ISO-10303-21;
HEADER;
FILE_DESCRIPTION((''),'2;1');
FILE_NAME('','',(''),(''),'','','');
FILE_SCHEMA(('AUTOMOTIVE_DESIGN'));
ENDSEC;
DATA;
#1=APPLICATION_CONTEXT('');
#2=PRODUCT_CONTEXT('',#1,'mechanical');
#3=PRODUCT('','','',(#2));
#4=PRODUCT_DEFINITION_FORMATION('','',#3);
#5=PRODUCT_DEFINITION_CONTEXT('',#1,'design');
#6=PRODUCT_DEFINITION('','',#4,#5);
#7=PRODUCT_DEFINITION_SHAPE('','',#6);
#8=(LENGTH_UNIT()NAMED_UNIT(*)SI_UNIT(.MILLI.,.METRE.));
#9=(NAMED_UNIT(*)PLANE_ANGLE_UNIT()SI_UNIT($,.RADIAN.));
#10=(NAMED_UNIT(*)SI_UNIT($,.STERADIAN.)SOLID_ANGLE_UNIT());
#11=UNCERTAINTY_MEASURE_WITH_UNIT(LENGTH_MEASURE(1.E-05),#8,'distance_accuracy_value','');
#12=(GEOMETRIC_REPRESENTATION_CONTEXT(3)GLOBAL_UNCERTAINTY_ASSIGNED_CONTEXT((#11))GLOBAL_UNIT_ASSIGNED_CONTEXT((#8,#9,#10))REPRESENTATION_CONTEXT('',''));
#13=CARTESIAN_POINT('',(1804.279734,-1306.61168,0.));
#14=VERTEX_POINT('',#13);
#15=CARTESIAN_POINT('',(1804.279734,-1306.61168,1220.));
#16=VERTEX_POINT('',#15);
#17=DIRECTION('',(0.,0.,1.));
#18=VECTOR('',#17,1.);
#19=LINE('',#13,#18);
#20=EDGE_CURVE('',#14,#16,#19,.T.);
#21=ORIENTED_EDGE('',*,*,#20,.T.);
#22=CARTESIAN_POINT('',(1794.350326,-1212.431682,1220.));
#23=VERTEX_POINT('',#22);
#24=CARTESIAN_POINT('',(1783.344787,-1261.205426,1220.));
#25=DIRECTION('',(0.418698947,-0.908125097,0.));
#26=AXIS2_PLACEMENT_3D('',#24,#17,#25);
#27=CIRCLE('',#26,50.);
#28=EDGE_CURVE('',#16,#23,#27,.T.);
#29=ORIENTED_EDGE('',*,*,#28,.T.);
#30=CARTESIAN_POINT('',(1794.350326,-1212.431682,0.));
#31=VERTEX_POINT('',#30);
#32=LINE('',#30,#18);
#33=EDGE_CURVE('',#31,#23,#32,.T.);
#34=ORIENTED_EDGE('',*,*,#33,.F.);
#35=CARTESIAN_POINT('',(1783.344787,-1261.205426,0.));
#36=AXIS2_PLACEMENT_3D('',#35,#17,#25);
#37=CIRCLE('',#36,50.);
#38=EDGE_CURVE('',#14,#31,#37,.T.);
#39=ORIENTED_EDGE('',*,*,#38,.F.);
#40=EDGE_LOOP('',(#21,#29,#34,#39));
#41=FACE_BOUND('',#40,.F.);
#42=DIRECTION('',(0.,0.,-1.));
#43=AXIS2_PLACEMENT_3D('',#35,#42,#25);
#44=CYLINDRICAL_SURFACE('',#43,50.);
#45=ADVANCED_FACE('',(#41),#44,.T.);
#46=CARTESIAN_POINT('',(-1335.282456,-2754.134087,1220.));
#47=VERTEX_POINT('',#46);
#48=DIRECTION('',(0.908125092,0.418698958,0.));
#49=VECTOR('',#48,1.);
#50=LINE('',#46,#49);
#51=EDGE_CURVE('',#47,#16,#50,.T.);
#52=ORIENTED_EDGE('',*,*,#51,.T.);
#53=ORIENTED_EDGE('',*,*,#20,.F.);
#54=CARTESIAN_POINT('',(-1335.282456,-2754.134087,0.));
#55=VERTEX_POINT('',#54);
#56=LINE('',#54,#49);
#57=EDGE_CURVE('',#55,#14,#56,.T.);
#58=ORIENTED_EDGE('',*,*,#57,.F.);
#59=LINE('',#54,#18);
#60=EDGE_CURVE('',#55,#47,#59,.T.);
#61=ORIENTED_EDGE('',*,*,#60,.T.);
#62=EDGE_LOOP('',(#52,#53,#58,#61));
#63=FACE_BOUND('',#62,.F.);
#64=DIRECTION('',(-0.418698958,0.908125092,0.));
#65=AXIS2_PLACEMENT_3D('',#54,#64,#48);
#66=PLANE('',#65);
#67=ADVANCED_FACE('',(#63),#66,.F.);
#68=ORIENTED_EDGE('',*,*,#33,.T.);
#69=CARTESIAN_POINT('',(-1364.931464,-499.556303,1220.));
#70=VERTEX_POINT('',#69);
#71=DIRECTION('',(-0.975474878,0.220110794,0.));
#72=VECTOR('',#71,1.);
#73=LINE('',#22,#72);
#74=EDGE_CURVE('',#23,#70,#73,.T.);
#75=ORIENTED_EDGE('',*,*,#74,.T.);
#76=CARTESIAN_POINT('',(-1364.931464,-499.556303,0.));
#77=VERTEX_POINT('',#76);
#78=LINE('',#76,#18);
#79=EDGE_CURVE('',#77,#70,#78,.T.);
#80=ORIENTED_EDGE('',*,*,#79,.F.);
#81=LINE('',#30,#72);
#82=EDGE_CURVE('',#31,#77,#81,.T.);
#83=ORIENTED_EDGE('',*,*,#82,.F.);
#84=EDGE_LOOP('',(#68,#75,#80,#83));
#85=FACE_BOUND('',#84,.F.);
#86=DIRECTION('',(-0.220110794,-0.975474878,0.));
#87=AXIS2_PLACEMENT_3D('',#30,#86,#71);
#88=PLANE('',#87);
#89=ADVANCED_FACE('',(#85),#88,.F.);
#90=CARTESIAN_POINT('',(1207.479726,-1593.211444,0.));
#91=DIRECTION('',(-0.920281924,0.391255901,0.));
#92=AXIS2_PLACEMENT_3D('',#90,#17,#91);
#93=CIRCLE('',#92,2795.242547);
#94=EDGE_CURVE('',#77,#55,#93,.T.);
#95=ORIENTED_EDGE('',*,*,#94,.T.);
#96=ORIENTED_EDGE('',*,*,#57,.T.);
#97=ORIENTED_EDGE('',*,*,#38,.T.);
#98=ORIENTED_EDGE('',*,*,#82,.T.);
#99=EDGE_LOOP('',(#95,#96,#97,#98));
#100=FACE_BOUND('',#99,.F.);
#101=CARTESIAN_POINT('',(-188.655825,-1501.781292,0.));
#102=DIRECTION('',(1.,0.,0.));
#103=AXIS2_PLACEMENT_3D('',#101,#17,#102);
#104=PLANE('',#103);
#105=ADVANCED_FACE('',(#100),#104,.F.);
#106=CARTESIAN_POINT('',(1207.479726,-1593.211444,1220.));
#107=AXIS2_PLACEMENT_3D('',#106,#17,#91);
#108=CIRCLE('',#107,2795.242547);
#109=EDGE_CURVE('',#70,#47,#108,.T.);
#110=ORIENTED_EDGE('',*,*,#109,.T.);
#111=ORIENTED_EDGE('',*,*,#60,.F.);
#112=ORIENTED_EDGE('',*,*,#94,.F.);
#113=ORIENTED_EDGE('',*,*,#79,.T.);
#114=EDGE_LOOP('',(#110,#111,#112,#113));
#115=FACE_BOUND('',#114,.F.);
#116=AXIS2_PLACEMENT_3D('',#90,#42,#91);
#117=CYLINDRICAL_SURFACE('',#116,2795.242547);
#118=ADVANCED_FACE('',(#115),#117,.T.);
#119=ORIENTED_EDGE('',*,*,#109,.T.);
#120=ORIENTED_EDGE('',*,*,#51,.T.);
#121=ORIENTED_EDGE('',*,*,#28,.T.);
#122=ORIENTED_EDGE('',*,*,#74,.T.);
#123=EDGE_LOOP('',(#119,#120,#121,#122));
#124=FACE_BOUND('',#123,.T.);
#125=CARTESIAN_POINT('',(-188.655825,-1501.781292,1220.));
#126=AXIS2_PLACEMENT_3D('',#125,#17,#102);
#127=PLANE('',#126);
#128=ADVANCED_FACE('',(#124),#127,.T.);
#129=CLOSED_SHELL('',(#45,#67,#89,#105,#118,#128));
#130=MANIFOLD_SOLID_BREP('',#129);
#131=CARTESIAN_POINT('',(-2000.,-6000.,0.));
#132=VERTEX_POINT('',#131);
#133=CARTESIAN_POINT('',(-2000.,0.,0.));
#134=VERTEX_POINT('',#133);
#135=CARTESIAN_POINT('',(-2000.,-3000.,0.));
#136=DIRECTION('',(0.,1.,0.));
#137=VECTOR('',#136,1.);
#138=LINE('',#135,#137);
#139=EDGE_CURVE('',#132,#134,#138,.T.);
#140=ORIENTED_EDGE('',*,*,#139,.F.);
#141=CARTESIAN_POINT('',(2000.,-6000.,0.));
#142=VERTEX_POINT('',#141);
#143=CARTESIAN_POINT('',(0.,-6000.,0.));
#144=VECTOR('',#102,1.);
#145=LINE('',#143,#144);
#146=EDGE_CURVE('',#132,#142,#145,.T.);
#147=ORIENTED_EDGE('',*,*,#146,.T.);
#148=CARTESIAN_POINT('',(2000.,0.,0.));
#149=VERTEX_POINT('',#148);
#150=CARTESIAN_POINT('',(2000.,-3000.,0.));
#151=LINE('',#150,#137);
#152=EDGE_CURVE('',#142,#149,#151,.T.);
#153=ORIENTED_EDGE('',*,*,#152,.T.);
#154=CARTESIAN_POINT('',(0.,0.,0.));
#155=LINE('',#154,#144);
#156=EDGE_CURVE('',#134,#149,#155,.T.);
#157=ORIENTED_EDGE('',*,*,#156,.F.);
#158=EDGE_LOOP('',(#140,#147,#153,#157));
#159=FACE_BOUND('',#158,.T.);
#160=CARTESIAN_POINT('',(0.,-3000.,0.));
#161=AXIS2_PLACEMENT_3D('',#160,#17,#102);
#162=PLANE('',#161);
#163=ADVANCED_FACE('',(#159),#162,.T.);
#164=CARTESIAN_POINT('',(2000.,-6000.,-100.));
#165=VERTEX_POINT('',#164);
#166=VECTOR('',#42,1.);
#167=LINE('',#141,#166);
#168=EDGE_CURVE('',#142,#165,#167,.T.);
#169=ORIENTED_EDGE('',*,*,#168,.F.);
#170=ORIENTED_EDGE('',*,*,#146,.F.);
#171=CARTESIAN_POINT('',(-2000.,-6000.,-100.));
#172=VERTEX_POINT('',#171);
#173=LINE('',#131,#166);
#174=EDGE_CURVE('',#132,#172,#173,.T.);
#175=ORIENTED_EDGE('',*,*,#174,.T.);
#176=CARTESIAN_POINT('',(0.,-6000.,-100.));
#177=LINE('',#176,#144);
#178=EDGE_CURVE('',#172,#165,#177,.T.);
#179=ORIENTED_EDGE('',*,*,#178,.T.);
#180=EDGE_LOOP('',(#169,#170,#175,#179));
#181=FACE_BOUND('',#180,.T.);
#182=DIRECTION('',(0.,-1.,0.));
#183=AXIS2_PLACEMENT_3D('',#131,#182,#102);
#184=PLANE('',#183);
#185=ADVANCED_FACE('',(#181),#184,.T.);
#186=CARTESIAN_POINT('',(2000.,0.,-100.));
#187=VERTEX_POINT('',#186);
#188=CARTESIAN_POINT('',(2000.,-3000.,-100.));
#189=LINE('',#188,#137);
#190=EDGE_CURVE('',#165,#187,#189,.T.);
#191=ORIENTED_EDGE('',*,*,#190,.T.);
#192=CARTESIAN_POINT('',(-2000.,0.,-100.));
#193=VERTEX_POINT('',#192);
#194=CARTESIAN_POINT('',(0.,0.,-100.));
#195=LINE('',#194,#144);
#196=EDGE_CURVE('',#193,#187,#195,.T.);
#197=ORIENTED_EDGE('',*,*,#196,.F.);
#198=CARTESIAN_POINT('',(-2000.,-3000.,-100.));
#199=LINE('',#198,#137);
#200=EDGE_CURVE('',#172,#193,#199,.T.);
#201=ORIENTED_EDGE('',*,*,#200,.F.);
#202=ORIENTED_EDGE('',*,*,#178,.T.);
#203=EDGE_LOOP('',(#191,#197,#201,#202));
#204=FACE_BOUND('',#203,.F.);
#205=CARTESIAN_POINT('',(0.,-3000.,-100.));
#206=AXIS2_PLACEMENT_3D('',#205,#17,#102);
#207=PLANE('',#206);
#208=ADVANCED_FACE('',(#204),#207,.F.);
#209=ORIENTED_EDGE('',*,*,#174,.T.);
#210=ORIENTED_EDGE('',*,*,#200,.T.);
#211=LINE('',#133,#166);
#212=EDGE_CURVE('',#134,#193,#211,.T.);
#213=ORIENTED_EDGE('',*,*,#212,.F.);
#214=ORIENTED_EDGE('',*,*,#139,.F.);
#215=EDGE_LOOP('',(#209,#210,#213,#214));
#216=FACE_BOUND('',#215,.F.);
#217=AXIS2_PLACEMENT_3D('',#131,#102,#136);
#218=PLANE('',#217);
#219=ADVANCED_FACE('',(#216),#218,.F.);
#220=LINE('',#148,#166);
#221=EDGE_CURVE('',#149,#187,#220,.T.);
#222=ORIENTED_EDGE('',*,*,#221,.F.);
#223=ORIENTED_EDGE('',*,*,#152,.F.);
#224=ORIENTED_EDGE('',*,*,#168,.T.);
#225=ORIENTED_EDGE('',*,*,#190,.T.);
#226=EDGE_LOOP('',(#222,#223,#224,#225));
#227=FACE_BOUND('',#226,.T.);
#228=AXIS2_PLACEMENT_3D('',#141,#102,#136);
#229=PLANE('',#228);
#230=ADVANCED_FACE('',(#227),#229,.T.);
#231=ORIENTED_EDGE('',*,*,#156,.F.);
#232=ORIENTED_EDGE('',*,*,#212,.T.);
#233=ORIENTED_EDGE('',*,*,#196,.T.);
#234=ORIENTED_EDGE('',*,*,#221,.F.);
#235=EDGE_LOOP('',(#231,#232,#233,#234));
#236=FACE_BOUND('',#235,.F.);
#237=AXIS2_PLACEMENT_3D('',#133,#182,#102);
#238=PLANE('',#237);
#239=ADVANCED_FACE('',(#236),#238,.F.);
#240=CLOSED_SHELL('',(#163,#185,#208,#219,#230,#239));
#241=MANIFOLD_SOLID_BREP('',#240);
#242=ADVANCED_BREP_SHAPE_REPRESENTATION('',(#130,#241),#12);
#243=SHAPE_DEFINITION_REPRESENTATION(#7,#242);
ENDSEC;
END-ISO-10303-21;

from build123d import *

# Parameters (mm, degrees)
F0_W     = 4000
F0_H     = 6000
F1_DEPTH = 100
F3_DEPTH = 1220


with BuildPart() as f1:
    # F0 (on Top) → F1 (new body)
    with BuildSketch(Plane.XY):
        with Locations((0, -3000)):
            Rectangle(F0_W, F0_H)
    extrude(amount=-F1_DEPTH)


with BuildPart() as f3:
    # F2 (on Top) → F3 (new body)
    with BuildSketch(Plane.XY):
        with BuildLine():
            Line((1794.350326, -1212.431682), (-1364.931464, -499.556303))
            ThreePointArc((-1364.931464, -499.556303), (-1587.521151, -1629.967329), (-1335.282456, -2754.134087))
            Line((-1335.282456, -2754.134087), (1804.279734, -1306.61168))
            ThreePointArc((1804.279734, -1306.61168), (1833.069194, -1255.962975), (1794.350326, -1212.431682))
        make_face()
    extrude(amount=F3_DEPTH)


solid = Compound([f1.part, f3.part])
